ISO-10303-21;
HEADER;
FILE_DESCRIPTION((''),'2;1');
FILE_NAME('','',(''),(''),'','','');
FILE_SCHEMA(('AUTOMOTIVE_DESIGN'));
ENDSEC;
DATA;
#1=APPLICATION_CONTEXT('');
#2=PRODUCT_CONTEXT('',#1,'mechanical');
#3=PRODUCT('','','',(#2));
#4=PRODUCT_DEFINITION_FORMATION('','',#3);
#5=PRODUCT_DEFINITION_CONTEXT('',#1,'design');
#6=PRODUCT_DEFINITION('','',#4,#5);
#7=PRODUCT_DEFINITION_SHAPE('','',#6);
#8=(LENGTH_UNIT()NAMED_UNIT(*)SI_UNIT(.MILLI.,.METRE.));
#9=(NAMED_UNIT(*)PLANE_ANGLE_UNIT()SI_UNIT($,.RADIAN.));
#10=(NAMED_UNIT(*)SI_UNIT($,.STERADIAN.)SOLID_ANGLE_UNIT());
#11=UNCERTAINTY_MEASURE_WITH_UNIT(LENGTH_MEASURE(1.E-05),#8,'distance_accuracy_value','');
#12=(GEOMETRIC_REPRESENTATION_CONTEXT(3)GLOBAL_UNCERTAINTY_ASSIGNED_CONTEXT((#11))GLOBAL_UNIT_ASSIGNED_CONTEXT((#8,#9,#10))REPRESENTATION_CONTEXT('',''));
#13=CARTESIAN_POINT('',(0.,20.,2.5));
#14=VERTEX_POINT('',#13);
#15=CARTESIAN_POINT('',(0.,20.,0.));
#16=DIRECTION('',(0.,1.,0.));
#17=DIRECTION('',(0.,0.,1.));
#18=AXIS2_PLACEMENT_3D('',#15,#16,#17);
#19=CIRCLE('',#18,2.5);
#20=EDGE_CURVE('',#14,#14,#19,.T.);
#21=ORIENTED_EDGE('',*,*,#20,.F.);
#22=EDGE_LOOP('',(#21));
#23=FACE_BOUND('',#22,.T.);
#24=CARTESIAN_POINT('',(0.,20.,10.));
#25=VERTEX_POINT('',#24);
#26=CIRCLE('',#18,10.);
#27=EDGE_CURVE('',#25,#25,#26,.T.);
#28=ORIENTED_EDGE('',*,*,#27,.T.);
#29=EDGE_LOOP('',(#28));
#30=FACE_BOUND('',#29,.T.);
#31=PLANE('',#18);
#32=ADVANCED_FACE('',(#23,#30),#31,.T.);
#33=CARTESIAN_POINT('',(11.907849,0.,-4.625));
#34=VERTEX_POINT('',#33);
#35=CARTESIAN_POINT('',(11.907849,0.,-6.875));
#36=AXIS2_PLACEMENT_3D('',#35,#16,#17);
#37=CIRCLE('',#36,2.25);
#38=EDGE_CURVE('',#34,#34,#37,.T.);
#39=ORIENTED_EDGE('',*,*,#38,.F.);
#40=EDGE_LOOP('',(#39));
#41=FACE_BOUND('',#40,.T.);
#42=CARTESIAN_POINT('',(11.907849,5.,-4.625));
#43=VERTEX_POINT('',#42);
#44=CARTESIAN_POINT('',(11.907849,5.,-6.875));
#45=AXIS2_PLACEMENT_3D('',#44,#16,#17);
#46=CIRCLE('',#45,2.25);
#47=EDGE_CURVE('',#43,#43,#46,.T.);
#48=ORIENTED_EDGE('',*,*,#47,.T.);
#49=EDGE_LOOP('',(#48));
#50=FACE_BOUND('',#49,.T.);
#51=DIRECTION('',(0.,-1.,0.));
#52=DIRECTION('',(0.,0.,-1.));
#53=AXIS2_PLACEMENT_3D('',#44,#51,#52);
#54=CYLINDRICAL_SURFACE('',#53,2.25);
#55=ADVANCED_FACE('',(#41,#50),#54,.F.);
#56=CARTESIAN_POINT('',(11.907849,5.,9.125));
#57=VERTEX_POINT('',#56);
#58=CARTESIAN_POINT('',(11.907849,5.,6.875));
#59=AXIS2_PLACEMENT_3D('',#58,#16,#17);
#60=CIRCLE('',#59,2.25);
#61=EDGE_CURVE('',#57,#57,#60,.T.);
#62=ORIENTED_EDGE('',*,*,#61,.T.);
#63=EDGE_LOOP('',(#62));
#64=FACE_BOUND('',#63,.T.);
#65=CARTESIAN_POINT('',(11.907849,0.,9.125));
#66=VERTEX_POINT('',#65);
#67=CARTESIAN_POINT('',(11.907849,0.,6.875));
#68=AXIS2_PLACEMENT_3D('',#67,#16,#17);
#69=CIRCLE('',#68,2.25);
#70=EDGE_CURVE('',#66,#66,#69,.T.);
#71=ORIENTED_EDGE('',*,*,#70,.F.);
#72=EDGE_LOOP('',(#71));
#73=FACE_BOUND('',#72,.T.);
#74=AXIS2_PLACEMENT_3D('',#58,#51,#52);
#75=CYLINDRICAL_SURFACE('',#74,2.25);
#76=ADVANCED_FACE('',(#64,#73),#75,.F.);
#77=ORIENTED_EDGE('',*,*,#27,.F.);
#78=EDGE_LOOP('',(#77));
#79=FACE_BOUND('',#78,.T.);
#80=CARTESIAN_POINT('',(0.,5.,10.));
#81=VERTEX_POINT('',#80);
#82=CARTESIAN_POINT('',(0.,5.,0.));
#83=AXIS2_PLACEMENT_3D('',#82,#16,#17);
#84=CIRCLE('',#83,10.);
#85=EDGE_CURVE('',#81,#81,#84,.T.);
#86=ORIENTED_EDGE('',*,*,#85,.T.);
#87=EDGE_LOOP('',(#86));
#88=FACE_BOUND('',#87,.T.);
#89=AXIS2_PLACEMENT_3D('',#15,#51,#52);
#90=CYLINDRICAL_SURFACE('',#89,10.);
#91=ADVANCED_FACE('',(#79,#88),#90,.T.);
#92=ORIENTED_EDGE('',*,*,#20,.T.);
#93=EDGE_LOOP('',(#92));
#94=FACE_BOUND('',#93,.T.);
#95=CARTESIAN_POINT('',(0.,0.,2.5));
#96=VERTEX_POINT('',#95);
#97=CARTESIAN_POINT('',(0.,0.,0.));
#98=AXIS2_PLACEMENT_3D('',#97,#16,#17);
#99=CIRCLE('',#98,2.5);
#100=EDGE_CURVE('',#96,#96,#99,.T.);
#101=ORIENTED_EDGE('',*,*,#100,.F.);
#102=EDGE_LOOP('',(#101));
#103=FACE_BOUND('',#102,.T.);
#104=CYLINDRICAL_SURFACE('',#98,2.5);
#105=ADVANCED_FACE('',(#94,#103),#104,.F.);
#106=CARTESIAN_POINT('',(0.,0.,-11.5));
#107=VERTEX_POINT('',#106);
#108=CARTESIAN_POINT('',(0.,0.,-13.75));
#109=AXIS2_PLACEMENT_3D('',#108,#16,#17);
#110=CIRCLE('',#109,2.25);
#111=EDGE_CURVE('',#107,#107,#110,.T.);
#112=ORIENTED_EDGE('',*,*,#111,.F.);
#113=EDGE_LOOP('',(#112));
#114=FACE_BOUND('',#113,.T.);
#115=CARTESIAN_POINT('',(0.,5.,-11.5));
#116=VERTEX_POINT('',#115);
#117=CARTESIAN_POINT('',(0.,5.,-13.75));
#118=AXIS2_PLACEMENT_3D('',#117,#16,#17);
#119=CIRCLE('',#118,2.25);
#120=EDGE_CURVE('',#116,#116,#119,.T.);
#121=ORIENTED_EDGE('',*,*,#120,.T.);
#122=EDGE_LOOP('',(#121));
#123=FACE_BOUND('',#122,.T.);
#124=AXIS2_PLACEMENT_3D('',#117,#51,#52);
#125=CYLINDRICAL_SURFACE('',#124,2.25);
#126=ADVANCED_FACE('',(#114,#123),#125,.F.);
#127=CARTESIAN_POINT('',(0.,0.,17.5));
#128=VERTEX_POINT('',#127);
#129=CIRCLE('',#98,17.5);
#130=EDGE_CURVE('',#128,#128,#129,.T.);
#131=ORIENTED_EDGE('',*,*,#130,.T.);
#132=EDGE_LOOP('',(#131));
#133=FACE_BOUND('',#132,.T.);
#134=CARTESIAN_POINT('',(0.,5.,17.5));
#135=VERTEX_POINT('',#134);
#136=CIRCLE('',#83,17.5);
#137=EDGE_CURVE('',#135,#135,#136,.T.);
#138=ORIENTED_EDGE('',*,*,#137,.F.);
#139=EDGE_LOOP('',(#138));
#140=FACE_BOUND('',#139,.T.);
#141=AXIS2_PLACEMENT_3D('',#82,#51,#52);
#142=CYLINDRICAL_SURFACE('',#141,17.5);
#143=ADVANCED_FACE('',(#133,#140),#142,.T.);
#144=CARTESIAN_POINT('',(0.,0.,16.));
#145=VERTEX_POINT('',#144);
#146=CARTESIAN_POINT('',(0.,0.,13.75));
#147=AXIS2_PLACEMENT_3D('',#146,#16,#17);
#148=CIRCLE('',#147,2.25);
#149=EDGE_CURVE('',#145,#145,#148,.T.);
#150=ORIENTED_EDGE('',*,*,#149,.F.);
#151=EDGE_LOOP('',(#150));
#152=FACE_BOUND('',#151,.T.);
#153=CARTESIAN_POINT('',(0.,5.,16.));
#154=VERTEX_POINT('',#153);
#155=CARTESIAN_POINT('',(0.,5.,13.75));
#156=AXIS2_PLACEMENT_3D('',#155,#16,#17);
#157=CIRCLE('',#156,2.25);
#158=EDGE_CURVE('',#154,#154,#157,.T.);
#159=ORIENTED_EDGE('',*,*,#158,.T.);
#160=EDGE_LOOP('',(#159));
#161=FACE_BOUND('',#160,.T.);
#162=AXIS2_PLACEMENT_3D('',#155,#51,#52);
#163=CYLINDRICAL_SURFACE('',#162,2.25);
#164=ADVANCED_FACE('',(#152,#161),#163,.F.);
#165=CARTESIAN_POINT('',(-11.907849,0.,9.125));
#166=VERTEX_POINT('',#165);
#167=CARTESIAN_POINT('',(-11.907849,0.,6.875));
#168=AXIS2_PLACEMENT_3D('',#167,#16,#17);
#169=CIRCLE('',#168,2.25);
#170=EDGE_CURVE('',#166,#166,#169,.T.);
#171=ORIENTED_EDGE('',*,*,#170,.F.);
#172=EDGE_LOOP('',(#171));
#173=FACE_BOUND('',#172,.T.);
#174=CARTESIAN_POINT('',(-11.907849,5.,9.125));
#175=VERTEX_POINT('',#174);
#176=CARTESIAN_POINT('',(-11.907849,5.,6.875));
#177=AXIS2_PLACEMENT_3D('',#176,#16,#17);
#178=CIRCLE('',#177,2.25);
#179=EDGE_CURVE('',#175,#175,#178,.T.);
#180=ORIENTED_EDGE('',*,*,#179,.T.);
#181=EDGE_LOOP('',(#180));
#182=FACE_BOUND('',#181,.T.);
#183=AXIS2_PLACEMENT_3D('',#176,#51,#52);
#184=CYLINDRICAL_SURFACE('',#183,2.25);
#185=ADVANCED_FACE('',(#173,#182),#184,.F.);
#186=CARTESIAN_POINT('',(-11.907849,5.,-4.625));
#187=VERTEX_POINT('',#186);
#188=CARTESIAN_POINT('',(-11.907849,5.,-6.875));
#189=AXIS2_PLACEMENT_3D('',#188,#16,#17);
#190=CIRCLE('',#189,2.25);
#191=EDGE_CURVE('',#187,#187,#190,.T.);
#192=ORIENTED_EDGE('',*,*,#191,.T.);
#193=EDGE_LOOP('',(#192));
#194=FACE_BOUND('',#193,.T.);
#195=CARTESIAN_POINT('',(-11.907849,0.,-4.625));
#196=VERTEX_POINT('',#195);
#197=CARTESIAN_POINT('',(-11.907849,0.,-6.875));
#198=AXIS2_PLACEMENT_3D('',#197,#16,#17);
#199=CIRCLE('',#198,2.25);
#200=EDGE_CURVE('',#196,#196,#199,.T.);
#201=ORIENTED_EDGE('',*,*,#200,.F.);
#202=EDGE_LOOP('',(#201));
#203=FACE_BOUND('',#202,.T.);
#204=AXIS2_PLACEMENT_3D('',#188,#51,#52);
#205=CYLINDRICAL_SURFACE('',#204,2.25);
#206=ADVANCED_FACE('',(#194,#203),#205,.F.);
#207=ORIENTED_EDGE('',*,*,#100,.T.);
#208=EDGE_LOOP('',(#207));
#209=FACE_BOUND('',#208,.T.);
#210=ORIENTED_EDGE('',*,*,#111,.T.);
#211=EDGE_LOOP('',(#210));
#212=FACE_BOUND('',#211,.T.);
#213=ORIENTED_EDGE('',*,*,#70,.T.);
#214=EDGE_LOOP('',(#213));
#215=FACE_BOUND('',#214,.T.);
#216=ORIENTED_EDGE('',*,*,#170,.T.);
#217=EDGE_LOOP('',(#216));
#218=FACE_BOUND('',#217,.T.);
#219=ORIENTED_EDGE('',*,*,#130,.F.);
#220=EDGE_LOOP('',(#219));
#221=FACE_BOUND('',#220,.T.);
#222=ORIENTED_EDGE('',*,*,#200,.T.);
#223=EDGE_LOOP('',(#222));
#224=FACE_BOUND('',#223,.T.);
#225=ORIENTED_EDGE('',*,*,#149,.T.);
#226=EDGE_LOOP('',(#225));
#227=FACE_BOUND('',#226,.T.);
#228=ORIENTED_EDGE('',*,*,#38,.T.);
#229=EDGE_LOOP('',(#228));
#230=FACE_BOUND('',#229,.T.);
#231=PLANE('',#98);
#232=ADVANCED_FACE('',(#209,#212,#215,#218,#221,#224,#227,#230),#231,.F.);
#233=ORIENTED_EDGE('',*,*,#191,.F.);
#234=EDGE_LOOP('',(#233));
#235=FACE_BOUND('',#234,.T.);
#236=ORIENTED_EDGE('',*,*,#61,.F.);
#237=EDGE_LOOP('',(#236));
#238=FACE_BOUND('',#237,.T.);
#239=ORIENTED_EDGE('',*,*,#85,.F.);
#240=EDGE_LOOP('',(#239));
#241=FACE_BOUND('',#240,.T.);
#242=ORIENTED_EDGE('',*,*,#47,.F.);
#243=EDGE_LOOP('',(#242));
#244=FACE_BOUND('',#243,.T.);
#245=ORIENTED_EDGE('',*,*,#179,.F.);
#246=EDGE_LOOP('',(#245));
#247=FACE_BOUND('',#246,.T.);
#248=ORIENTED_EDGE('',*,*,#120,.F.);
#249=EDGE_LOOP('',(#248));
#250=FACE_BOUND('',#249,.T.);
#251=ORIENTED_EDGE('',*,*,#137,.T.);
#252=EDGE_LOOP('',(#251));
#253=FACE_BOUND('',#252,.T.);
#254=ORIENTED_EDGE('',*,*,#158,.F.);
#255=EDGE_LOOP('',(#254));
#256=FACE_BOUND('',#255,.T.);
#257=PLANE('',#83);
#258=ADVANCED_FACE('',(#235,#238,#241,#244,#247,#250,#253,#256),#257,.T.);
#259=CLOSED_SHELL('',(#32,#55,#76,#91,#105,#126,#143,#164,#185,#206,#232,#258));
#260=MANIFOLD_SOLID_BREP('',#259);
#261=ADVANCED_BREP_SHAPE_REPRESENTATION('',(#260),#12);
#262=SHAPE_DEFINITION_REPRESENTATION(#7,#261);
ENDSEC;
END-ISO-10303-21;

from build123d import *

# Parameters (mm, degrees)
SKETCH2_R           = 17.5
SKETCH2_R_2         = 2.25
BOSS_EXTRUDE1_DEPTH = 5
SKETCH3_R           = 10
BOSS_EXTRUDE2_DEPTH = 15
SKETCH4_R           = 2.5
CUT_EXTRUDE1_DEPTH  = 32.819805153


with BuildPart() as part:
    # Sketch2 → Boss-Extrude1 (new body)
    with BuildSketch(Plane(origin=(0, 0, 0), x_dir=(1, 0, 0), z_dir=(0, 1, 0))):
        with Locations(Location((0, 0, 0), (0, 0, 270))):
            Circle(SKETCH2_R)
        with Locations(Location((0, 13.75, 0), (0, 0, 270))):
            Circle(SKETCH2_R_2, mode=Mode.SUBTRACT)
        with Locations(Location((11.907849302, 6.875, 0), (0, 0, 270))):
            Circle(SKETCH2_R_2, mode=Mode.SUBTRACT)
        with Locations(Location((11.907849302, -6.875, 0), (0, 0, 270))):
            Circle(SKETCH2_R_2, mode=Mode.SUBTRACT)
        with Locations(Location((0, -13.75, 0), (0, 0, 270))):
            Circle(SKETCH2_R_2, mode=Mode.SUBTRACT)
        with Locations(Location((-11.907849302, -6.875, 0), (0, 0, 270))):
            Circle(SKETCH2_R_2, mode=Mode.SUBTRACT)
        with Locations(Location((-11.907849302, 6.875, 0), (0, 0, 270))):
            Circle(SKETCH2_R_2, mode=Mode.SUBTRACT)
    extrude(amount=BOSS_EXTRUDE1_DEPTH)

    # Sketch3 → Boss-Extrude2 (add)
    with BuildSketch(Plane(origin=(0, 5, 0), x_dir=(1, 0, 0), z_dir=(0, 1, 0))):
        with Locations(Location((0, 0, 0), (0, 0, 270))):
            Circle(SKETCH3_R)
    extrude(amount=BOSS_EXTRUDE2_DEPTH)

    # Sketch4 → Cut-Extrude1 (cut, through all)
    with BuildSketch(Plane(origin=(0, 20, 0), x_dir=(1, 0, 0), z_dir=(0, 1, 0))):
        with Locations(Location((0, 0, 0), (0, 0, 270))):
            Circle(SKETCH4_R)
    extrude(amount=-CUT_EXTRUDE1_DEPTH, mode=Mode.SUBTRACT)


solid = part.part
